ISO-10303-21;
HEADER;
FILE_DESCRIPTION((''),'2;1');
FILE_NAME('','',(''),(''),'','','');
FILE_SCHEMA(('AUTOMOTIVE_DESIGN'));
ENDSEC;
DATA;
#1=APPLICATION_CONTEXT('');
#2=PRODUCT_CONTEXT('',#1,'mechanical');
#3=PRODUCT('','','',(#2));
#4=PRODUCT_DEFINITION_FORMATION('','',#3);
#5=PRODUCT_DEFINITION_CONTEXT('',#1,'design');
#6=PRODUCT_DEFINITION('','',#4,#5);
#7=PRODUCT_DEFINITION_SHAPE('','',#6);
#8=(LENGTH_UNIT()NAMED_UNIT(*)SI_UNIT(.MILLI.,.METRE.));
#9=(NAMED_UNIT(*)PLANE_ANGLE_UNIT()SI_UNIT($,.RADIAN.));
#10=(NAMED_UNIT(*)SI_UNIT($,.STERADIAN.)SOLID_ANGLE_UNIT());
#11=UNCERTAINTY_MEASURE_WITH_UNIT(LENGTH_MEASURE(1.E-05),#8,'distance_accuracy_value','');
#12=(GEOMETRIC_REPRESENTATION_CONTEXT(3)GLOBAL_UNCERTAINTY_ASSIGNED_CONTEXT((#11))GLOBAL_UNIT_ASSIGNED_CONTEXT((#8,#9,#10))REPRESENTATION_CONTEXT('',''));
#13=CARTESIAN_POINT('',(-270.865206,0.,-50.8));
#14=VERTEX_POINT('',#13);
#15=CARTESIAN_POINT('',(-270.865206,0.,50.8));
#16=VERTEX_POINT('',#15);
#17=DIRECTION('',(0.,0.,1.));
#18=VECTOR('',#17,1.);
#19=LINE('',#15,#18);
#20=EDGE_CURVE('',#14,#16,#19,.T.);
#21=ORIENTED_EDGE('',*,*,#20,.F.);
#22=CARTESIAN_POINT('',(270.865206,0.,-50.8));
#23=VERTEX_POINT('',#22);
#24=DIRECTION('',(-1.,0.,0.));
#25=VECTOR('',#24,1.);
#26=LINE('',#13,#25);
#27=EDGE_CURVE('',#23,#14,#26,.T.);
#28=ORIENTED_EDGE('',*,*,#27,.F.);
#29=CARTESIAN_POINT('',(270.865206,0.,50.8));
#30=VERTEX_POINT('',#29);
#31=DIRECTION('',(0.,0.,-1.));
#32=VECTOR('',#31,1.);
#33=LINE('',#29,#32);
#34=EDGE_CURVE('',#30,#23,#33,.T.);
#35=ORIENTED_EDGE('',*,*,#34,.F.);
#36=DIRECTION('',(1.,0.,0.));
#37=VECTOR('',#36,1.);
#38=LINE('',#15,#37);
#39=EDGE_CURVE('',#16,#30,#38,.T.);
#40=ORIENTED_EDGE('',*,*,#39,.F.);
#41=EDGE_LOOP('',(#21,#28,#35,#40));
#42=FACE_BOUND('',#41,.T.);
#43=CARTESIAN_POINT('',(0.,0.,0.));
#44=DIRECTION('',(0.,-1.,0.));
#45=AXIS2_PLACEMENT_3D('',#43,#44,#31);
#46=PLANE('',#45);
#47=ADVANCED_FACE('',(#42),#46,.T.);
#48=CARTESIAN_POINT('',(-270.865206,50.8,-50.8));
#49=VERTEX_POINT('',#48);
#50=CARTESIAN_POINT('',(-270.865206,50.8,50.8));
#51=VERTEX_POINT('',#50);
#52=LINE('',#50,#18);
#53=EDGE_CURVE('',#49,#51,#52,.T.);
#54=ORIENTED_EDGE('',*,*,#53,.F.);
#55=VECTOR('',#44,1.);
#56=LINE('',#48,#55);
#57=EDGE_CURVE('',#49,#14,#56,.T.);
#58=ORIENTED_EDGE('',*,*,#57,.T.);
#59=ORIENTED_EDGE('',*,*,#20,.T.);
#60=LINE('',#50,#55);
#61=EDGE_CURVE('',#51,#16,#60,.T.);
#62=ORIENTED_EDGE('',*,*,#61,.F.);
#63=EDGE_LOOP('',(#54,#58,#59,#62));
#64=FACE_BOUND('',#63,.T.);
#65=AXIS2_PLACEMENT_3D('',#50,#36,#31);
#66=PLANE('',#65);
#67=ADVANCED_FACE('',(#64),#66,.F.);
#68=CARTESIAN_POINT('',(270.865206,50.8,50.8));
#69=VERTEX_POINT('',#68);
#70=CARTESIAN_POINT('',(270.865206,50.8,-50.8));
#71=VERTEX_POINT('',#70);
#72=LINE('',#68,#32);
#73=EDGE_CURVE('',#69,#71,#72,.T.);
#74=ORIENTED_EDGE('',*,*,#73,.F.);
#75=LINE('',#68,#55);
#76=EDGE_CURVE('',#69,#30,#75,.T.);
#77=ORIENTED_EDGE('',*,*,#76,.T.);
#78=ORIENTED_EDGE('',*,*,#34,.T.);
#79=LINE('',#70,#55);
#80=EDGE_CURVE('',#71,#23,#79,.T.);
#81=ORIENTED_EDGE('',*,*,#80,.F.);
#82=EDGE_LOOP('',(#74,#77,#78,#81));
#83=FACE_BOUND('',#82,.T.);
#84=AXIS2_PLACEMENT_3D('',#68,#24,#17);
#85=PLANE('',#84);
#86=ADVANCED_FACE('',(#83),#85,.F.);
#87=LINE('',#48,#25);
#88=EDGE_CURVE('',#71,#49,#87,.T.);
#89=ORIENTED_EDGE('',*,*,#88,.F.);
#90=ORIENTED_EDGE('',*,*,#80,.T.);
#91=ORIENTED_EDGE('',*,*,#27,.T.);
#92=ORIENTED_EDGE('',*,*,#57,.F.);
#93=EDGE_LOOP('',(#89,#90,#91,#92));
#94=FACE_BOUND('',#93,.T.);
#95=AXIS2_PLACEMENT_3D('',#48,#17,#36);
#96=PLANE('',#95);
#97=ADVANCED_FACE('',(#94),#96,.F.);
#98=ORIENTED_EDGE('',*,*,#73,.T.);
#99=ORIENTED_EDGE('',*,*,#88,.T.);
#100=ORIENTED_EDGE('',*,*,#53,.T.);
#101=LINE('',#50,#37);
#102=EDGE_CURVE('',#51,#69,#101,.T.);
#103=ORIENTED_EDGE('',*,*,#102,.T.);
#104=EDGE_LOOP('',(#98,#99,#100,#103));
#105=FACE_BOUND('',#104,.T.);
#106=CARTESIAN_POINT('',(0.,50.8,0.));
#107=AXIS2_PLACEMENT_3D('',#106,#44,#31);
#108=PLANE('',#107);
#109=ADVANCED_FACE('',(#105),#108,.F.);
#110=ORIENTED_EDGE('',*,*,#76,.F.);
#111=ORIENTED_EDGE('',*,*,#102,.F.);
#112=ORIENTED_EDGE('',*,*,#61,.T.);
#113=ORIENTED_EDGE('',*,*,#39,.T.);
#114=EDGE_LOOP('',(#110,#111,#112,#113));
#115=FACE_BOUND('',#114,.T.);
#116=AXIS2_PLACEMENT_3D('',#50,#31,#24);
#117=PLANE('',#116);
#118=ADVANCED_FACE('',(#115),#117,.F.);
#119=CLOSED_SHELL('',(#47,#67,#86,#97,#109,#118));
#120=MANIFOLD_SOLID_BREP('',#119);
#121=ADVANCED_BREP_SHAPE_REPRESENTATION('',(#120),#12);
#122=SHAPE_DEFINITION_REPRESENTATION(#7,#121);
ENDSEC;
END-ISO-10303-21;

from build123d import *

# Parameters (mm, degrees)
SKETCH1_W           = 541.7304126
SKETCH1_H           = 101.6
BOSS_EXTRUDE1_DEPTH = 50.8


with BuildPart() as part:
    # Sketch1 → Boss-Extrude1 (new body)
    with BuildSketch(Plane(origin=(0, 0, 0), x_dir=(1, 0, 0), z_dir=(0, 1, 0))):
        Rectangle(SKETCH1_W, SKETCH1_H)
    extrude(amount=BOSS_EXTRUDE1_DEPTH)


solid = part.part
